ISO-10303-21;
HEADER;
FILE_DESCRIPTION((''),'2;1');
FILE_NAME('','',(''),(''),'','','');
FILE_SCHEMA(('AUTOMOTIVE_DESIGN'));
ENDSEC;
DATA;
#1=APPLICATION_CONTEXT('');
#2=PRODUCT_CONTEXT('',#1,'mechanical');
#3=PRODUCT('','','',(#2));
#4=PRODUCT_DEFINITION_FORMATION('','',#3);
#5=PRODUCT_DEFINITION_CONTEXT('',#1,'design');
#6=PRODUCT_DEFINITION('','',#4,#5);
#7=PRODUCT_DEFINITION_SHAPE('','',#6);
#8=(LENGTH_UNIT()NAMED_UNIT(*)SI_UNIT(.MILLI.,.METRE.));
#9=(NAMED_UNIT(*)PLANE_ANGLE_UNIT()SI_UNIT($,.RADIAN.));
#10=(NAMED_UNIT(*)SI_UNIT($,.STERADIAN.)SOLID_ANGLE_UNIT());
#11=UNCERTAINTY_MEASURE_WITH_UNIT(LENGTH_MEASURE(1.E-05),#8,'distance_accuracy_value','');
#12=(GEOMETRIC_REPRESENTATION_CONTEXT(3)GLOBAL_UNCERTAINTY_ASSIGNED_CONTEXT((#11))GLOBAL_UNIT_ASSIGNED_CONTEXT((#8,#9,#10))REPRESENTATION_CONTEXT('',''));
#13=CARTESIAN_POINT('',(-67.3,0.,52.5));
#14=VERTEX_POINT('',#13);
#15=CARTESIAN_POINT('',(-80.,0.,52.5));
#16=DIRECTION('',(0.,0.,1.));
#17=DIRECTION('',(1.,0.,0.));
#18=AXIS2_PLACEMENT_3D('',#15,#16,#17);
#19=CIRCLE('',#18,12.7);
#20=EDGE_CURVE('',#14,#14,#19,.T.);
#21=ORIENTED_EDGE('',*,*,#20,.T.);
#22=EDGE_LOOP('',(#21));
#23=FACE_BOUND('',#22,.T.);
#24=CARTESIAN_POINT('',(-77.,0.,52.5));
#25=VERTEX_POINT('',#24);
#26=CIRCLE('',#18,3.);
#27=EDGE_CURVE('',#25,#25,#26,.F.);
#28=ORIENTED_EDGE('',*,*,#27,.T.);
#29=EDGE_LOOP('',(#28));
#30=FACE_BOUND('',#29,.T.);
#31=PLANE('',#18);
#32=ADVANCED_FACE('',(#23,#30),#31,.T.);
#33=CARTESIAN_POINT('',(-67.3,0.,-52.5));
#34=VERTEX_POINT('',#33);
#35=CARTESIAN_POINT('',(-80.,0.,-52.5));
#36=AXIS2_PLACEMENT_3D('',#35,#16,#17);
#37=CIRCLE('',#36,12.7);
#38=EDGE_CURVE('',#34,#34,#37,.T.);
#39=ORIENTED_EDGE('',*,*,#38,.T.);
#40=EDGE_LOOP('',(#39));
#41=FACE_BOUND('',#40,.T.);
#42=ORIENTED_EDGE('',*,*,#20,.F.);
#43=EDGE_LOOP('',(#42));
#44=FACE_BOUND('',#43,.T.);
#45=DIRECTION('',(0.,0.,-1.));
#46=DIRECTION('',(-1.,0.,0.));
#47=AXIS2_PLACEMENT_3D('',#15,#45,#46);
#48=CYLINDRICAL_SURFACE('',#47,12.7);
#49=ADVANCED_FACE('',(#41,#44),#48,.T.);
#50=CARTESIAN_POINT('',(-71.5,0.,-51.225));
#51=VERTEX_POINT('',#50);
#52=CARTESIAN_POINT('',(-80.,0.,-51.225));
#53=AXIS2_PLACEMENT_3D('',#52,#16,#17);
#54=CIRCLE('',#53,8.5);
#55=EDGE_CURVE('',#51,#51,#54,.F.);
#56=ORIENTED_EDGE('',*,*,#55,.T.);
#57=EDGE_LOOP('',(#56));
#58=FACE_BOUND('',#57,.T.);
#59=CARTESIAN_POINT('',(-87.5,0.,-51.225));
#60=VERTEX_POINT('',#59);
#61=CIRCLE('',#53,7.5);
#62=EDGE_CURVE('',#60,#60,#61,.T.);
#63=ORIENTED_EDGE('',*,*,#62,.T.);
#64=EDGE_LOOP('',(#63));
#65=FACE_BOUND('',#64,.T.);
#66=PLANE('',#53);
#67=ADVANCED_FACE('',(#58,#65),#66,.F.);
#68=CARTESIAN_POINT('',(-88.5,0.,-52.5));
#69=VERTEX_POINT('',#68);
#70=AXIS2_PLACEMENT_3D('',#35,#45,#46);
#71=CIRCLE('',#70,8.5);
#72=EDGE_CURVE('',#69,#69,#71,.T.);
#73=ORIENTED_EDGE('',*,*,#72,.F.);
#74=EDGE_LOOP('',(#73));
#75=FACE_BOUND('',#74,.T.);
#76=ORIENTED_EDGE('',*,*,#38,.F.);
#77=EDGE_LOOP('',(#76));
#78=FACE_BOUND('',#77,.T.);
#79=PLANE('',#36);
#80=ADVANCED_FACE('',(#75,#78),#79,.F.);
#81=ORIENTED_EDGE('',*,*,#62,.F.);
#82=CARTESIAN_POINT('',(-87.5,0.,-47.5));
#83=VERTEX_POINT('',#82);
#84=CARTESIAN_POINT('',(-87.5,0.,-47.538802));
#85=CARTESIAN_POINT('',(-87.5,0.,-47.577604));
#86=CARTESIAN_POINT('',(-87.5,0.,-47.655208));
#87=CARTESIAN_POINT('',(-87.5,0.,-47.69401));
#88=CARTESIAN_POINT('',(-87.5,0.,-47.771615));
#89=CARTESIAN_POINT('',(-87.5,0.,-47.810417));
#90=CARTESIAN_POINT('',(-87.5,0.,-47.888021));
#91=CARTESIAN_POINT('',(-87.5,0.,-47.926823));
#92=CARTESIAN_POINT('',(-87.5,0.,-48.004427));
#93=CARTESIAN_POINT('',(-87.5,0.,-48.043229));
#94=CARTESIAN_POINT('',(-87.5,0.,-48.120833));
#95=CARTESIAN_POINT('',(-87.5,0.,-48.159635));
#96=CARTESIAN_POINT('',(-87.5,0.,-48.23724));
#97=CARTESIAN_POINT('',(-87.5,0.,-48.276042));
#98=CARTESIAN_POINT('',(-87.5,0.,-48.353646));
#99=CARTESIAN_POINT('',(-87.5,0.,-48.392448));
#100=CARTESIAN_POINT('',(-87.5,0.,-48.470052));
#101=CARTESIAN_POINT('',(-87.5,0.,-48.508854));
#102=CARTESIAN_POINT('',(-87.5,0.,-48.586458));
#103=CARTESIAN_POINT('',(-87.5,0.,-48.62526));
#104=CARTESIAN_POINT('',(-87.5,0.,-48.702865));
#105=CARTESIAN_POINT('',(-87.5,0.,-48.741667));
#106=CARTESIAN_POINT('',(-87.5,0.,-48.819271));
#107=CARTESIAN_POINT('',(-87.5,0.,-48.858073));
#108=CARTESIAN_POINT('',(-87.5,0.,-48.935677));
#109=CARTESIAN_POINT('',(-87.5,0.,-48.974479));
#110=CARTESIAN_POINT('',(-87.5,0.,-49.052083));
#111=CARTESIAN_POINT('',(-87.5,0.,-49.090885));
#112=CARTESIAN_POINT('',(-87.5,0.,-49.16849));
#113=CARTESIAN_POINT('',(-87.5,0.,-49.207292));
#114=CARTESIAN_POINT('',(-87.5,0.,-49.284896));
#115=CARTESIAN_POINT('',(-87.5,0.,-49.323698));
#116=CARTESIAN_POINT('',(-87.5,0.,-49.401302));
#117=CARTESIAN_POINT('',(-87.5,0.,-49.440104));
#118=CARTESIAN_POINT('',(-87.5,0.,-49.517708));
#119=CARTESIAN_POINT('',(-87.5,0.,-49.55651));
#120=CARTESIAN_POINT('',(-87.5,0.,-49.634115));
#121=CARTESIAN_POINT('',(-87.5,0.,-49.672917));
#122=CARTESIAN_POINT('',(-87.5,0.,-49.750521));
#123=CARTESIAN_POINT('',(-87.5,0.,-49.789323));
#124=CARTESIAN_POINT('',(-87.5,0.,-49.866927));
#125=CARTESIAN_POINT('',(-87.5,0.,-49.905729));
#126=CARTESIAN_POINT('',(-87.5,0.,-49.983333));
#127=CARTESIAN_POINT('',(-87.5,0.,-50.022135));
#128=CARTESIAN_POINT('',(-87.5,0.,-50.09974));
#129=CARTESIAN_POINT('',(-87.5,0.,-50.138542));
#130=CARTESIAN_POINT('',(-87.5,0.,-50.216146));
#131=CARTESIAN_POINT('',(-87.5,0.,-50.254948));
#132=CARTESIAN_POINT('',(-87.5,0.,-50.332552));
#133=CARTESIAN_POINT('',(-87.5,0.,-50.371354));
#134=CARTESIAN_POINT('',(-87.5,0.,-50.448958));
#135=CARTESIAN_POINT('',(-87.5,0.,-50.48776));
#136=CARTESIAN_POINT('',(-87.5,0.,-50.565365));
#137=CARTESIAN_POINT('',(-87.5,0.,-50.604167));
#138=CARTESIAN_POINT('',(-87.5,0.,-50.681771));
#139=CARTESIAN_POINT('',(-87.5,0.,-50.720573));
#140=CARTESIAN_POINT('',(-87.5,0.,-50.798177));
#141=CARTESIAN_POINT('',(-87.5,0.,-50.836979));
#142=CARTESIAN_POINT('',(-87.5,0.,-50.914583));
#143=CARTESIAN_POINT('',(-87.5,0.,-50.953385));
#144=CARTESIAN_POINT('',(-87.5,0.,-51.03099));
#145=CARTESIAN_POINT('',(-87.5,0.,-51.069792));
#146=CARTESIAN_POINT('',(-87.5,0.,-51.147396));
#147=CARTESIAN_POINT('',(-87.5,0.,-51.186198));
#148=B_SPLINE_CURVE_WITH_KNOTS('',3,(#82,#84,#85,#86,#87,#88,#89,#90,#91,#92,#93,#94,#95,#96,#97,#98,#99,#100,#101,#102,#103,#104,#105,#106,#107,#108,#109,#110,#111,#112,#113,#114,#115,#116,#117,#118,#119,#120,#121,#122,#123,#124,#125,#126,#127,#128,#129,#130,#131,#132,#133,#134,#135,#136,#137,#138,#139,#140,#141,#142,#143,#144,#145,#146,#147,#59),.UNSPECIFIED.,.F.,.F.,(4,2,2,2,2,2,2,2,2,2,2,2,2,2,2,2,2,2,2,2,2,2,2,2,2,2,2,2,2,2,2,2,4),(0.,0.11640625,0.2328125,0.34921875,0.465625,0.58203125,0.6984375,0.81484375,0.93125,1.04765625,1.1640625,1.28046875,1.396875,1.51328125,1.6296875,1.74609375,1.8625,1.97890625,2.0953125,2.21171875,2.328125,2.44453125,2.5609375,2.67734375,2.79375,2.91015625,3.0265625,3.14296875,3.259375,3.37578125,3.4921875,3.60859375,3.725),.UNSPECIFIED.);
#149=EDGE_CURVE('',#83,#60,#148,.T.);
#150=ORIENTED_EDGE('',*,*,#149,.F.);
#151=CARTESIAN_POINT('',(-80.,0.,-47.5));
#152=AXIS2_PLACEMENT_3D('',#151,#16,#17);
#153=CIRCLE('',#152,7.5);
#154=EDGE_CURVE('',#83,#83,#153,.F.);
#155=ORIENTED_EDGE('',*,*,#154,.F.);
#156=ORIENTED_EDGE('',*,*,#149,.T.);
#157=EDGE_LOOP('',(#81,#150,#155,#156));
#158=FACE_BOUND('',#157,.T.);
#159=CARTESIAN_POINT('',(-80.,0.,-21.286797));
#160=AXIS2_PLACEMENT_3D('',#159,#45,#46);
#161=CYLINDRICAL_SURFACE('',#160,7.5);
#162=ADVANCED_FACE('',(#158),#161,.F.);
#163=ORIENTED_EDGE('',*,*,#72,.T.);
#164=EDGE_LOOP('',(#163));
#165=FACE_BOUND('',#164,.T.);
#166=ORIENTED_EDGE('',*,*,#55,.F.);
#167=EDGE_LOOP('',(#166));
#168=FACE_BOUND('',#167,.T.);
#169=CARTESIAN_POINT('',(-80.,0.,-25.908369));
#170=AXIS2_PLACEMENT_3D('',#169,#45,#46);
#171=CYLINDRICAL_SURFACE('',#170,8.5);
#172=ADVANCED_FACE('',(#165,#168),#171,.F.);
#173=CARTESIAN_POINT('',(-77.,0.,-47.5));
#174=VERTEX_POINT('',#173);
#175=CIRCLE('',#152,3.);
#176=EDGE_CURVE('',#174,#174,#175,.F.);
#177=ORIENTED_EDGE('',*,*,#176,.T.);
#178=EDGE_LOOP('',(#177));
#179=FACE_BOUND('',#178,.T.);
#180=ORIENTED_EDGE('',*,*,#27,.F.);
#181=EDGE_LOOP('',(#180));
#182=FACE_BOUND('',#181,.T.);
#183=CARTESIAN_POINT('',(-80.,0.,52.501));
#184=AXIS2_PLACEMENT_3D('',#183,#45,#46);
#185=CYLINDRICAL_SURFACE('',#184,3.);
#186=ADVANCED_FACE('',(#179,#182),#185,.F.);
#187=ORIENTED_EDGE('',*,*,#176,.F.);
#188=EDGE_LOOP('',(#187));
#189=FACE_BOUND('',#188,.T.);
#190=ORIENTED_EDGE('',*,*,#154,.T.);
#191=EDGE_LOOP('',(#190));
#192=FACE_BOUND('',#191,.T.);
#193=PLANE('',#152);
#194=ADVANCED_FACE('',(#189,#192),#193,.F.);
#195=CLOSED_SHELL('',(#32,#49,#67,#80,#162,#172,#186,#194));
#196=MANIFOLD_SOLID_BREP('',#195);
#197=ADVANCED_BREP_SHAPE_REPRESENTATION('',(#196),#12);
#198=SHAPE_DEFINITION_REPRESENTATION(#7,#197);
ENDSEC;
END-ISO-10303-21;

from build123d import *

# Parameters (mm, degrees)
SKETCH2_R           = 12.7
BOSS_EXTRUDE1_DEPTH = 52.5
CUT_EXTRUDE1_REACH  = 142.64
SKETCH3_R           = 3
SKETCH4_R           = 8.5
CUT_EXTRUDE2_DEPTH  = 1.275
SKETCH5_R           = 7.5
CUT_EXTRUDE3_DEPTH  = 5


with BuildPart() as part:
    # Sketch2 → Boss-Extrude1 (new, symmetric)
    with BuildSketch(Plane.XY):
        with Locations((-80, 0)):
            Circle(SKETCH2_R)
    extrude(amount=BOSS_EXTRUDE1_DEPTH, both=True)

    # Sketch3 → Cut-Extrude1 (cut, up to next)
    with BuildSketch(Plane(origin=(0, 0, -52.5), x_dir=(-1, 0, 0), z_dir=(0, 0, -1)), mode=Mode.PRIVATE) as cut_extrude1_sk1:
        with Locations((80, 0)):
            Circle(SKETCH3_R)
    cut_extrude1_tool1 = extrude(cut_extrude1_sk1.sketch, amount=-CUT_EXTRUDE1_REACH, mode=Mode.PRIVATE) & part.part
    add(cut_extrude1_tool1.solids().sort_by_distance((-80, 0, -52.5))[0], mode=Mode.SUBTRACT)

    # Sketch4 → Cut-Extrude2 (cut)
    with BuildSketch(Plane(origin=(0, 0, -52.5), x_dir=(-1, 0, 0), z_dir=(0, 0, -1))):
        with Locations((80, 0)):
            Circle(SKETCH4_R)
    extrude(amount=-CUT_EXTRUDE2_DEPTH, mode=Mode.SUBTRACT)

    # Sketch5 → Cut-Extrude3 (cut)
    with BuildSketch(Plane(origin=(0, 0, -52.5), x_dir=(-1, 0, 0), z_dir=(0, 0, -1))):
        with Locations((80, 0)):
            Circle(SKETCH5_R)
    extrude(amount=-CUT_EXTRUDE3_DEPTH, mode=Mode.SUBTRACT)


solid = part.part
